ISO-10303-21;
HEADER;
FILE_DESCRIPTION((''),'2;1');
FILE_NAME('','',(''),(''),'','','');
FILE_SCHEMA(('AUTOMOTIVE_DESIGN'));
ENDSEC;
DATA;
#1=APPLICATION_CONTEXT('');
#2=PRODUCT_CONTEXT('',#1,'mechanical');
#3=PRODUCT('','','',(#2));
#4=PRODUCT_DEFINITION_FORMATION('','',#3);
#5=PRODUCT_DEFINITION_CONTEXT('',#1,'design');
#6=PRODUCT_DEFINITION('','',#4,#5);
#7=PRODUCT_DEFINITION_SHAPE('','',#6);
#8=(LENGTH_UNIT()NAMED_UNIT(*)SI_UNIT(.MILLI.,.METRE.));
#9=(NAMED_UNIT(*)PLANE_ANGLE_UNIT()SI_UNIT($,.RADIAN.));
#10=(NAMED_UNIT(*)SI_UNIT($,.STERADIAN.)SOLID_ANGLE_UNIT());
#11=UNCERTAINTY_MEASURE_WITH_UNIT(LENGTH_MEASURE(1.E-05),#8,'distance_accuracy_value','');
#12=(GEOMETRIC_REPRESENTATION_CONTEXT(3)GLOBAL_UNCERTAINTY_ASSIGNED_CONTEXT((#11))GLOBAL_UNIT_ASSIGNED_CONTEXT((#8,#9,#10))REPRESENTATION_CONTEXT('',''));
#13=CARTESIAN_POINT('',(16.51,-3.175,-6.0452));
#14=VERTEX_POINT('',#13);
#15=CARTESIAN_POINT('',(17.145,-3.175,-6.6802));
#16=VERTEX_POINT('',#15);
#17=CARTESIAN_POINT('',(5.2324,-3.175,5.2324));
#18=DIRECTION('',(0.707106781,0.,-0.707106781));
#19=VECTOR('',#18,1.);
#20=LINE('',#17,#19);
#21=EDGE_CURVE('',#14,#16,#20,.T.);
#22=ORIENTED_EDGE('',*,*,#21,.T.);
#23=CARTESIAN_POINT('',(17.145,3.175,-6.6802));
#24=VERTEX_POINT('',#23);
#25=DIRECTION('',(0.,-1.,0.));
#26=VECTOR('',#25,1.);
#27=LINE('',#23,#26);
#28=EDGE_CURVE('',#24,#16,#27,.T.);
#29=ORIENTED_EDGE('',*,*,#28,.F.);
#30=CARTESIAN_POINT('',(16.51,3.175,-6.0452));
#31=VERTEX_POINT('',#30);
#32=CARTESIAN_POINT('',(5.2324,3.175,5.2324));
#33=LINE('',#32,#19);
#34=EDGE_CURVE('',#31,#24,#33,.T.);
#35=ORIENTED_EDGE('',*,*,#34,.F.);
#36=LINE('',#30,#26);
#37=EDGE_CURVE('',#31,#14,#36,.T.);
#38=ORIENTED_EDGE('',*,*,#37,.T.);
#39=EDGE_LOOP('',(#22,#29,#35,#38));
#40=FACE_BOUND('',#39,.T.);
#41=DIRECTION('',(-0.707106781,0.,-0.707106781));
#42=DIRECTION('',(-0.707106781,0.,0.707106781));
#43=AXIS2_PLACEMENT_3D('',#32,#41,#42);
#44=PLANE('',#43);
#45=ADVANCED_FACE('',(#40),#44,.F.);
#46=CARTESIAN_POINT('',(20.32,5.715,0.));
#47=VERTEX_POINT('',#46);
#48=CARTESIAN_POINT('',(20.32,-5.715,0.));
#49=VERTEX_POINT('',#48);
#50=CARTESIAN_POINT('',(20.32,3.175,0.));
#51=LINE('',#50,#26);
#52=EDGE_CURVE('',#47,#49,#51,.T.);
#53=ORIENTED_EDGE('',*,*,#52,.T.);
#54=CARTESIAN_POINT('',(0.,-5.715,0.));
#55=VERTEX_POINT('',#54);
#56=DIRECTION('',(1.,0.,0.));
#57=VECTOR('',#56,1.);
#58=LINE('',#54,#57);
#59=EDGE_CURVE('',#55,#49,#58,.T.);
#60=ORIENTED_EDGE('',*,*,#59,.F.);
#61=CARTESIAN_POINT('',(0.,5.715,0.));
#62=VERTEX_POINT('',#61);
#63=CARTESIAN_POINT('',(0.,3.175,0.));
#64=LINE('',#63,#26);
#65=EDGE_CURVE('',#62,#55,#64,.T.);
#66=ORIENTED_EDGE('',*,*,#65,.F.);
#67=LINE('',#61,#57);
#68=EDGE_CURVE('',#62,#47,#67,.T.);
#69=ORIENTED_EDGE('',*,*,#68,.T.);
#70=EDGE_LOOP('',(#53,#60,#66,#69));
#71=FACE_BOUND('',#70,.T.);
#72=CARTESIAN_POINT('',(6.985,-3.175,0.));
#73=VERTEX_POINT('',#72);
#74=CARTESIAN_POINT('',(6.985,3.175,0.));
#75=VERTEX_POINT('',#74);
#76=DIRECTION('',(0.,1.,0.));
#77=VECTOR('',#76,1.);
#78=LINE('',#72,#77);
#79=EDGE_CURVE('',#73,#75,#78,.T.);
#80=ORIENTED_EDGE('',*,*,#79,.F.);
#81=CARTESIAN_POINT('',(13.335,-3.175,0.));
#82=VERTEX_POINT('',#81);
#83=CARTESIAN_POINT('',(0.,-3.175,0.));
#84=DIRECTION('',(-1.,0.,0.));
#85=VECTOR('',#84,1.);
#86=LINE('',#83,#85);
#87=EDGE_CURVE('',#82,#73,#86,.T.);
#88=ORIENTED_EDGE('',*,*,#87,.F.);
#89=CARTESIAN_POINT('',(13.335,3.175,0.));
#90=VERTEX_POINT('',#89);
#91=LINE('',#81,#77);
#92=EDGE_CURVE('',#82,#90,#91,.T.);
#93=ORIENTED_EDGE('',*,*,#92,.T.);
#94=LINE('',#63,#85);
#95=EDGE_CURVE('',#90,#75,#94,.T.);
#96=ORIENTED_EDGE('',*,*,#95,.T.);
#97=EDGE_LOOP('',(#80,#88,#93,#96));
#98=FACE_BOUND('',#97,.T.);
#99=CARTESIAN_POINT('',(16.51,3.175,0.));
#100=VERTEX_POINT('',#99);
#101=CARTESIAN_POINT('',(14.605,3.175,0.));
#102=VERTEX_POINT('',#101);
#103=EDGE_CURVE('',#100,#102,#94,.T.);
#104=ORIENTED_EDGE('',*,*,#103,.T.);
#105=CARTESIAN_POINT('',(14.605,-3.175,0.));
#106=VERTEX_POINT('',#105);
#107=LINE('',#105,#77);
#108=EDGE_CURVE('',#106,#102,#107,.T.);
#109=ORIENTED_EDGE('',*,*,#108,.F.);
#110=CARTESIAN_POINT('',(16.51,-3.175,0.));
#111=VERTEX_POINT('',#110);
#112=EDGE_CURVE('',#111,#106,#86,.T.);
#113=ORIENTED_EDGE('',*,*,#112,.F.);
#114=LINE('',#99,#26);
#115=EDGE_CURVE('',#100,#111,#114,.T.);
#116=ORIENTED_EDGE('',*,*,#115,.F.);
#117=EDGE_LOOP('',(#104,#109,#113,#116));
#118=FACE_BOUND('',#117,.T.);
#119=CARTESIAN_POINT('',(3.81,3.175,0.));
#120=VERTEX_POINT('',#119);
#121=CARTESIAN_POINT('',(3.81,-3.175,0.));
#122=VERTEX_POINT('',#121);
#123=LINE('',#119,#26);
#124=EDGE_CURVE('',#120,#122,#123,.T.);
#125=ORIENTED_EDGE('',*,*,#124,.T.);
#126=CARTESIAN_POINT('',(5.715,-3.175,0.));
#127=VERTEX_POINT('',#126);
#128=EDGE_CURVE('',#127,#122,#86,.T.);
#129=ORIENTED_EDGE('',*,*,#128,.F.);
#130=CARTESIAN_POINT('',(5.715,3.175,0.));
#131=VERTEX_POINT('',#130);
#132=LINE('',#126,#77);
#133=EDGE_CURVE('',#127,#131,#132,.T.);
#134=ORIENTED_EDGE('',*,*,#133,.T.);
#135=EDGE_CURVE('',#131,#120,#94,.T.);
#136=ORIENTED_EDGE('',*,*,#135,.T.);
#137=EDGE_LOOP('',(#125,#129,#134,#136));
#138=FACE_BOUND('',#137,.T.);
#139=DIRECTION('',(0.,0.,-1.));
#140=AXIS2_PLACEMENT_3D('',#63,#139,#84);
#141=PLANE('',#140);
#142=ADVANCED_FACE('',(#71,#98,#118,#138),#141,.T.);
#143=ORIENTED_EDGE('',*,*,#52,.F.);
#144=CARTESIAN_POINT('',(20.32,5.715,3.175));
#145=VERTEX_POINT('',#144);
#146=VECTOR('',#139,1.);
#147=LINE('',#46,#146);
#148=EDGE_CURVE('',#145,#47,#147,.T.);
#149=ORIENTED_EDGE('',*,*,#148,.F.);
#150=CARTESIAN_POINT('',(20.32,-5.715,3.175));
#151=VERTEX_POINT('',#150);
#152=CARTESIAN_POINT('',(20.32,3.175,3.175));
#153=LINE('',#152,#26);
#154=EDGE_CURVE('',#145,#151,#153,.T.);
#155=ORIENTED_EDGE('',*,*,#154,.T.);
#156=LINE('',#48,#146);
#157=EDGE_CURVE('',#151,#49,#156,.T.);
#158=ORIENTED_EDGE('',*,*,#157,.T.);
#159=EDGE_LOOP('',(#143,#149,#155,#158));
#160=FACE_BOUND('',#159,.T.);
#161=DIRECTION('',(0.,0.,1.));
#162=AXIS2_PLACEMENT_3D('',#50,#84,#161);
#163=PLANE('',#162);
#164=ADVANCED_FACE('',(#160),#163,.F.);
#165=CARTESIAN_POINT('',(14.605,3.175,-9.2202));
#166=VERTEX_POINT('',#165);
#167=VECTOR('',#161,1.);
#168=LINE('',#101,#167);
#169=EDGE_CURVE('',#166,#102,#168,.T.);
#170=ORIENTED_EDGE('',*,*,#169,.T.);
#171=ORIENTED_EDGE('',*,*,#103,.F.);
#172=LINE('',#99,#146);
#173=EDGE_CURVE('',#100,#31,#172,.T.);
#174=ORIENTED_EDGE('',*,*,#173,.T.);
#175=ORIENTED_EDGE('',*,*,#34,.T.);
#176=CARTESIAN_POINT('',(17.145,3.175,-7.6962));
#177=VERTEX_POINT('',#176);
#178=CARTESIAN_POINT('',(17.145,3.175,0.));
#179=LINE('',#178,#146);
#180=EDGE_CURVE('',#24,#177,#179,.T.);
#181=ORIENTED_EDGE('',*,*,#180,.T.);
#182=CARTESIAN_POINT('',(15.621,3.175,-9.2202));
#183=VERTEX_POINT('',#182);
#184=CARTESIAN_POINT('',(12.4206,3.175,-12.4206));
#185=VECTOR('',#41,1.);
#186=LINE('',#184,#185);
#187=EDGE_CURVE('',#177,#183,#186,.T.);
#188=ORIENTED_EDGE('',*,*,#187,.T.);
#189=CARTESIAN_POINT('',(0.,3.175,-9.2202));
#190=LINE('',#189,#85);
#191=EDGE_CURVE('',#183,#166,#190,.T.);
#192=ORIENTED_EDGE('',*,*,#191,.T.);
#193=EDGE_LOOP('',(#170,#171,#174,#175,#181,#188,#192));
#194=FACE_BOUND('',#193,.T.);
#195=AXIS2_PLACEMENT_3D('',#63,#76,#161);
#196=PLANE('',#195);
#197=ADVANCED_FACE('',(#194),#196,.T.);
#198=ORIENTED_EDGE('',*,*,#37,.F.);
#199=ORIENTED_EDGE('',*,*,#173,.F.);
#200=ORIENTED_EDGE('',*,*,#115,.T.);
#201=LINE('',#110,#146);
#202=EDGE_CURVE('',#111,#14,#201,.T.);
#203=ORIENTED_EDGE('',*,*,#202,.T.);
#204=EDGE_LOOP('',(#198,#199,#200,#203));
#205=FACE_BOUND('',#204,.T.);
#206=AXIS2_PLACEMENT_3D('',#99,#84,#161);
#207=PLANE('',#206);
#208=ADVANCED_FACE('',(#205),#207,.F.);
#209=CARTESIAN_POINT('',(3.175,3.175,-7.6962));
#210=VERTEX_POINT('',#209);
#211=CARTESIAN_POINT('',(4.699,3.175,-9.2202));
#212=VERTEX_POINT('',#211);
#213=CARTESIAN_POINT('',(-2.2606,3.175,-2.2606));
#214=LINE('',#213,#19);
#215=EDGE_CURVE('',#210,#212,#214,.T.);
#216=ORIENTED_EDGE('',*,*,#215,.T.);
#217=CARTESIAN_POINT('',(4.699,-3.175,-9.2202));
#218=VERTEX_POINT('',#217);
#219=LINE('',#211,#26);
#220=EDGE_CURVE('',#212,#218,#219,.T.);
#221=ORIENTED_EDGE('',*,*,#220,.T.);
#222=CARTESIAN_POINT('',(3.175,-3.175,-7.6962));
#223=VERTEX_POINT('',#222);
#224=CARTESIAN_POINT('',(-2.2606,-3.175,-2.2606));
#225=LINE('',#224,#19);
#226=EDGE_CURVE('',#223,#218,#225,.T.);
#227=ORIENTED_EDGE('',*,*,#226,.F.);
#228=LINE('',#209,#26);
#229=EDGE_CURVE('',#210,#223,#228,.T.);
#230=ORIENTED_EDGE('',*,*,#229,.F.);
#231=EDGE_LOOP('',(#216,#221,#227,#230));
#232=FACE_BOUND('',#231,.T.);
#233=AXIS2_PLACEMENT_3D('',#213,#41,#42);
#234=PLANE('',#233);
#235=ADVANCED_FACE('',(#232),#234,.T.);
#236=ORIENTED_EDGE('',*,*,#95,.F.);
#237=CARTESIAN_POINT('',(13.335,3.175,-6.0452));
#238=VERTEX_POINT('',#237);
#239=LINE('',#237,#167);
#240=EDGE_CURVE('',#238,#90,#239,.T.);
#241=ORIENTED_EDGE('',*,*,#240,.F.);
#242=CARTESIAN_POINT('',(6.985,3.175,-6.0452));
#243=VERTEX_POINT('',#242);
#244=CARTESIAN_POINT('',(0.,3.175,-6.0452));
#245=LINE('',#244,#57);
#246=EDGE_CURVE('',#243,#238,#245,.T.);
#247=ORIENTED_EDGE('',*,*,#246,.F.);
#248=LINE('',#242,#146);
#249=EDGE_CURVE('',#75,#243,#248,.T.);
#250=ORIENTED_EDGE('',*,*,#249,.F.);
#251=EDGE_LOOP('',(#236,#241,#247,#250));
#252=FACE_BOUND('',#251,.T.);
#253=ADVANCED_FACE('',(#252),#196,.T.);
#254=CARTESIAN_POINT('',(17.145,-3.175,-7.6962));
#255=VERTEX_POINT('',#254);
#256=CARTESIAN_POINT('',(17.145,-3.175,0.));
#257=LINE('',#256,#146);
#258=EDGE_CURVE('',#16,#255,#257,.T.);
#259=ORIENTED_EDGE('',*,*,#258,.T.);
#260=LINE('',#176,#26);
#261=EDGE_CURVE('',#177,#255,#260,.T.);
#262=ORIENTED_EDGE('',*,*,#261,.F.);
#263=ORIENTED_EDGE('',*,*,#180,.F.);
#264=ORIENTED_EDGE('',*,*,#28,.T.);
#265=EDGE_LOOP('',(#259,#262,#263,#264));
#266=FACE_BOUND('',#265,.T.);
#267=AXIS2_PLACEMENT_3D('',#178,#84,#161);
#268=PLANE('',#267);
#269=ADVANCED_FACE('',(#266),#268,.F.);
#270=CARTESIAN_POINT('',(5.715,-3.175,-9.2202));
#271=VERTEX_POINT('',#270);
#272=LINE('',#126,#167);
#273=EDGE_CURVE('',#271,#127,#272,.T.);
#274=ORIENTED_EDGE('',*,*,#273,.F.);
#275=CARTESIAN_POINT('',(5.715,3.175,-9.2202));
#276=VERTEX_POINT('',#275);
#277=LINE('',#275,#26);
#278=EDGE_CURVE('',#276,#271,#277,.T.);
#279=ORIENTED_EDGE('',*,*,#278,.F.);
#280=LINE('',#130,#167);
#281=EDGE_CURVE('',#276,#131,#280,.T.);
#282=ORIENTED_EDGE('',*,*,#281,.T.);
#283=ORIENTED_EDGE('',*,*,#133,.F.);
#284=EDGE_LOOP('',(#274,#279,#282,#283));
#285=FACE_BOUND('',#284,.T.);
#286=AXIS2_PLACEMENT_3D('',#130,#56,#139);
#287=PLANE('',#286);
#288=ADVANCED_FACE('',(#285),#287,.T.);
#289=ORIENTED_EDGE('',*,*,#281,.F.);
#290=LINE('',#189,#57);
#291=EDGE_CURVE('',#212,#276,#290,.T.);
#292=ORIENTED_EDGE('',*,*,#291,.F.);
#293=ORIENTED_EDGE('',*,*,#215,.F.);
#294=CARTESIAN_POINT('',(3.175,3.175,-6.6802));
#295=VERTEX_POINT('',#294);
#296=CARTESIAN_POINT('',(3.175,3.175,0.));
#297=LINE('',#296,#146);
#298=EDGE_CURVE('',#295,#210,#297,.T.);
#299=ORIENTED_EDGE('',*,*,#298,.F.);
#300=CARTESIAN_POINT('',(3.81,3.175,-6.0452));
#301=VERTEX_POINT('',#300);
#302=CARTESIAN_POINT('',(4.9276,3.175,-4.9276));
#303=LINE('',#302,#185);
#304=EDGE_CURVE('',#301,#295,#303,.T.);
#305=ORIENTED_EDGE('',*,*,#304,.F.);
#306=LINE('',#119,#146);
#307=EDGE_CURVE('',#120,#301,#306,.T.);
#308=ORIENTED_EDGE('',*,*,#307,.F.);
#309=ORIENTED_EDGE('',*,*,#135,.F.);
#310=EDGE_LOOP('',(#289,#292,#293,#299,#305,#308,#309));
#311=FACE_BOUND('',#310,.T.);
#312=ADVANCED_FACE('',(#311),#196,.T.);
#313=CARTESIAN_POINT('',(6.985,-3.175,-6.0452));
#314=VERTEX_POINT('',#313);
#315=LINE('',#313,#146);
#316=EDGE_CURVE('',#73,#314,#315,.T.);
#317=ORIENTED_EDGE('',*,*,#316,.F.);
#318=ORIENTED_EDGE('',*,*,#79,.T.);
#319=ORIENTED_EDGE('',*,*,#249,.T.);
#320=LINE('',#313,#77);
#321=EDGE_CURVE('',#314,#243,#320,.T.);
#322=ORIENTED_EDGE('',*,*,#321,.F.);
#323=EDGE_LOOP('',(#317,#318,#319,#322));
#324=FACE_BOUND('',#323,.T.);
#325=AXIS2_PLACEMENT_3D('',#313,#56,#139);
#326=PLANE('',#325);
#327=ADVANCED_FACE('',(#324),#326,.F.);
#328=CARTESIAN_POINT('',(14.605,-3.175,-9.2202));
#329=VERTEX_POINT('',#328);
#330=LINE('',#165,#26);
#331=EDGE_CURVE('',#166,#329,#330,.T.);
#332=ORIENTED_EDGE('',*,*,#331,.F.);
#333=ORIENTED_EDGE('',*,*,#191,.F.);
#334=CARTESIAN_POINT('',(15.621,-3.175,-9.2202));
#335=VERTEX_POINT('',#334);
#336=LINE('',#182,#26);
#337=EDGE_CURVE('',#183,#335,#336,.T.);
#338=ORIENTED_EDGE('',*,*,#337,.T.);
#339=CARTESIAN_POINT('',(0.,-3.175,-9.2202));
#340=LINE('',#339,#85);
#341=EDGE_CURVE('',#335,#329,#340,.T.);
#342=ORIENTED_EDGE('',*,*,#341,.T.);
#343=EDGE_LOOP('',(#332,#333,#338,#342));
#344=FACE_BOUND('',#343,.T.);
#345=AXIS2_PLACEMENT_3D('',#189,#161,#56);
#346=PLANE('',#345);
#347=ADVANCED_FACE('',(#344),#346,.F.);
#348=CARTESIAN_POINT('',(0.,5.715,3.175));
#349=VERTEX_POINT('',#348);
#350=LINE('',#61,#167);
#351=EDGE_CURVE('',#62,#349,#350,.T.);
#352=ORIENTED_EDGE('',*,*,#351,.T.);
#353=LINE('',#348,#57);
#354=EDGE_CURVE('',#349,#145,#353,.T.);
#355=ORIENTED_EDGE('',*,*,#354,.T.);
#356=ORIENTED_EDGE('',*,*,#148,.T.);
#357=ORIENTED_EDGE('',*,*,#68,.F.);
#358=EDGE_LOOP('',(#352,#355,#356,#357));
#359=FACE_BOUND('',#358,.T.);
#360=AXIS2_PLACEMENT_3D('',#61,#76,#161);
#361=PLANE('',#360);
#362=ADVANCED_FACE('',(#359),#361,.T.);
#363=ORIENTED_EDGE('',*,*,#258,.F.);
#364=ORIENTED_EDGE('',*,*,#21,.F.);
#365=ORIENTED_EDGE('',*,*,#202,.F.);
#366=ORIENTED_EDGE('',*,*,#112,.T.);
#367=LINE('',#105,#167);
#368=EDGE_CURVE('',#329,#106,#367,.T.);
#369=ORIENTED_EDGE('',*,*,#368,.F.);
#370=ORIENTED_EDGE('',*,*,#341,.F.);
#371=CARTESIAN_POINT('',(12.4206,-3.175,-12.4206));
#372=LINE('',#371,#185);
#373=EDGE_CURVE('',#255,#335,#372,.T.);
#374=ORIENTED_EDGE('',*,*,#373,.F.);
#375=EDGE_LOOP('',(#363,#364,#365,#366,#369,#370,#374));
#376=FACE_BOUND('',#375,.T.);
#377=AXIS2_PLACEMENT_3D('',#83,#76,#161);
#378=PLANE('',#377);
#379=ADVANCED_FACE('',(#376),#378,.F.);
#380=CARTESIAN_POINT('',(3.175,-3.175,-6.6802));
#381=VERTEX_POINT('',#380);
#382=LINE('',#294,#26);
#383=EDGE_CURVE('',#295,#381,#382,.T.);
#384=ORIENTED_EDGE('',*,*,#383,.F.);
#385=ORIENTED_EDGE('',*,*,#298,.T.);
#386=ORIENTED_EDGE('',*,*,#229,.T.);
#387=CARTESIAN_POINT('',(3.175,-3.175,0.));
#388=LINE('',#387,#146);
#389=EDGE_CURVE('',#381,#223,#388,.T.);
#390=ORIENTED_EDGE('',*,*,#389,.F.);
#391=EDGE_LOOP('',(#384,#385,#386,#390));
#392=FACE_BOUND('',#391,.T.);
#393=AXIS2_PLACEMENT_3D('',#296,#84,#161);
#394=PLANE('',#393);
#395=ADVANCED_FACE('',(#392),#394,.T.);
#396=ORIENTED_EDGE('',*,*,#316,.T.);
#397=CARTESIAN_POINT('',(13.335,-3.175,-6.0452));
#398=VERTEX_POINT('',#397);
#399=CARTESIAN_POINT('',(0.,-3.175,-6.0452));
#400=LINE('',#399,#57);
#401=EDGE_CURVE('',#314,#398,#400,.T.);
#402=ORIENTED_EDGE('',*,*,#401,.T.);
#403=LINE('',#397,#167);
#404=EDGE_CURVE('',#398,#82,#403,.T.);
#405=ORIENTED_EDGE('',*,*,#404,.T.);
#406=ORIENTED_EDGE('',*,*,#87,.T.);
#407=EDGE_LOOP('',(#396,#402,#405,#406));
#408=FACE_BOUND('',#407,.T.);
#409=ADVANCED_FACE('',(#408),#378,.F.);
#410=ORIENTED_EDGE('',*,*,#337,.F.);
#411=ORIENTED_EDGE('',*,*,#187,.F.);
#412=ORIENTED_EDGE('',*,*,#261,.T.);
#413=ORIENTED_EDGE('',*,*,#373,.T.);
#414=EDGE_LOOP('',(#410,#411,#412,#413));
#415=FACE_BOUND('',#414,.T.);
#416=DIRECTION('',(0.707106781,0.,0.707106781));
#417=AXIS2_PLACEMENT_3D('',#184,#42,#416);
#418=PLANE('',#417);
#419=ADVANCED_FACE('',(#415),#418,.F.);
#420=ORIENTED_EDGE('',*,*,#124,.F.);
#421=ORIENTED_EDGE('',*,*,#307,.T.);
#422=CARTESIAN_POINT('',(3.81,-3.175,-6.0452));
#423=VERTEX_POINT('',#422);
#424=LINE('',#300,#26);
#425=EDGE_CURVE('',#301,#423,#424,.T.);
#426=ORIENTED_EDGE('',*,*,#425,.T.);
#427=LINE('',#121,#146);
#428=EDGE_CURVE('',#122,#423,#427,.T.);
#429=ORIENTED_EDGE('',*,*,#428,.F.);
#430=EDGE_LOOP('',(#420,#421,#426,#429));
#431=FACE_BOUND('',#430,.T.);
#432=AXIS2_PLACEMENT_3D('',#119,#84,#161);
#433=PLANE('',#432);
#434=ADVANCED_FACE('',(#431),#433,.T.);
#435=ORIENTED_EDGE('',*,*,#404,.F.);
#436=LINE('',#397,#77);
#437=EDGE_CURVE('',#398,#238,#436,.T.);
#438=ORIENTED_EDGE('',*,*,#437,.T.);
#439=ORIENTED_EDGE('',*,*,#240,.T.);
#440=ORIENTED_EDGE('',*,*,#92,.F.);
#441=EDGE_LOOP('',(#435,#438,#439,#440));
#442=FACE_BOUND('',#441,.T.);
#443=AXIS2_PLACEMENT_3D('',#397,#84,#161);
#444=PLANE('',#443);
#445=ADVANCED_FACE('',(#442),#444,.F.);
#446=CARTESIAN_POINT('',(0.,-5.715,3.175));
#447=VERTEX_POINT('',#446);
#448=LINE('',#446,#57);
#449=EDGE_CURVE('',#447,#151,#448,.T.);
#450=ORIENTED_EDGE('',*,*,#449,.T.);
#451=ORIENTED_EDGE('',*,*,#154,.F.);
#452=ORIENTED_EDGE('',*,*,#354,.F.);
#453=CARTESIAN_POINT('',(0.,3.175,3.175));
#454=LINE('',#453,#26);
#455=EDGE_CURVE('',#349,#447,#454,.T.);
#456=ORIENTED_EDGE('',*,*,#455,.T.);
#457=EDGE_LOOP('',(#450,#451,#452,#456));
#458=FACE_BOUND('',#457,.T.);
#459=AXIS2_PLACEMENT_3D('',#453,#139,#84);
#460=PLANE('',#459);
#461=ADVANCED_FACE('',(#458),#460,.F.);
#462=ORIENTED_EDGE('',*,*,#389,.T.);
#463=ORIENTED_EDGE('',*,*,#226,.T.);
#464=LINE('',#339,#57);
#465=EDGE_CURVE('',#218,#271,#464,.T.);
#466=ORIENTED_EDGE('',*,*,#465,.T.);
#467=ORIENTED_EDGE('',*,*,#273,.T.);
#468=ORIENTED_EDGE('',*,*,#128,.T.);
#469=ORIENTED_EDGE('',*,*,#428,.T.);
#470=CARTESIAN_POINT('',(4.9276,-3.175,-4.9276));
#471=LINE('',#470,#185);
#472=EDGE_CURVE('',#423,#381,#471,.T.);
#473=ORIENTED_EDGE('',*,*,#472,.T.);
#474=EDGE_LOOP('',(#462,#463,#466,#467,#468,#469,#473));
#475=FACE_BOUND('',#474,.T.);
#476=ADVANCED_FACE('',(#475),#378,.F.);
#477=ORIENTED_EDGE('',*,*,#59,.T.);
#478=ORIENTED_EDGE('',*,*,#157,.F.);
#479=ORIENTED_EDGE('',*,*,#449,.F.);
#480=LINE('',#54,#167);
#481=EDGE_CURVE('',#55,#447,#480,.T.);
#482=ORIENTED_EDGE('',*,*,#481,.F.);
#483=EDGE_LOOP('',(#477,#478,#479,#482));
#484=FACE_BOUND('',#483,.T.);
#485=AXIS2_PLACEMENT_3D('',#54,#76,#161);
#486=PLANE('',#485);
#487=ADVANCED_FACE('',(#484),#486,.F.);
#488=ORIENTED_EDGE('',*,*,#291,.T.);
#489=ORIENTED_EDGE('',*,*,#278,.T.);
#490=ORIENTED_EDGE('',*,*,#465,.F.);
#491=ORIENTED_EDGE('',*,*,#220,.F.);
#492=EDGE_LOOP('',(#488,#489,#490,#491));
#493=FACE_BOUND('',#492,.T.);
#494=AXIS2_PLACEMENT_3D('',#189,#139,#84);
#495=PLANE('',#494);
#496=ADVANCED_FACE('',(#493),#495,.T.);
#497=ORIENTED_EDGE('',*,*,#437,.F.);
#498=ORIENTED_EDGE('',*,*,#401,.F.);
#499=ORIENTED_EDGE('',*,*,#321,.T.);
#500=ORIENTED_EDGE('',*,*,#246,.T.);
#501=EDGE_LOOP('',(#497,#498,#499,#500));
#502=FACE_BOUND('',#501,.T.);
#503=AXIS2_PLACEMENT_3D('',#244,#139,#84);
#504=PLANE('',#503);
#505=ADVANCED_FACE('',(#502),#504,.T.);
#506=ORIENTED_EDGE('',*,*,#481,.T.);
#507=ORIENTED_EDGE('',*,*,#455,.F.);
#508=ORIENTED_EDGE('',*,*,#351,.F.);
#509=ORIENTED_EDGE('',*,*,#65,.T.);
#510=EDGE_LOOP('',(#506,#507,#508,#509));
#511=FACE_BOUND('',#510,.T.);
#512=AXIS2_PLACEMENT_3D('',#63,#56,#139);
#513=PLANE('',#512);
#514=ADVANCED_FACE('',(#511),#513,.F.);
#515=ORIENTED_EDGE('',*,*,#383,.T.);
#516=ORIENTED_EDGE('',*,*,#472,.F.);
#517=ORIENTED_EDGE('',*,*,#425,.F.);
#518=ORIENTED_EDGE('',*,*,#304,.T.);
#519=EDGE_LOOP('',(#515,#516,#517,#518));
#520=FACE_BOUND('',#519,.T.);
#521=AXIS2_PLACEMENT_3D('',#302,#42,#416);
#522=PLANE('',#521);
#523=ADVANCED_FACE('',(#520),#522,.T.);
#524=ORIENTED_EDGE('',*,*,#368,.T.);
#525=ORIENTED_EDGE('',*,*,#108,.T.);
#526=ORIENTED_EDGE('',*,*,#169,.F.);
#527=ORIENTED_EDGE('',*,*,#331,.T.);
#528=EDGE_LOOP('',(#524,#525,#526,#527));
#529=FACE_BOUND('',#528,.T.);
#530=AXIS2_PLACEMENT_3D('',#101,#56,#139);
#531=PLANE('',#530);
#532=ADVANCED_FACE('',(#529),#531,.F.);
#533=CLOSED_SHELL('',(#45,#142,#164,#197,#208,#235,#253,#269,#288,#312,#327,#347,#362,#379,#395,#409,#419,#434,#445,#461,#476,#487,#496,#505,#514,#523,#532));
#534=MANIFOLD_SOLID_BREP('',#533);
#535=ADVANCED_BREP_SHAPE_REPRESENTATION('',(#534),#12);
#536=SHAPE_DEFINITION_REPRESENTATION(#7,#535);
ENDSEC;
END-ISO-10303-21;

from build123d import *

# Parameters (mm, degrees)
BOSS_EXTRUDE1_DEPTH = 3.175
SKETCH2_W           = 1.27
SKETCH2_H           = 6.0452
CUT_EXTRUDE1_DEPTH  = 6.35
BOSS_EXTRUDE2_DEPTH = 5.715


with BuildPart() as part:
    # Sketch1 → Boss-Extrude1 (new, symmetric)
    with BuildSketch(Plane(origin=(0, 0, 0), x_dir=(1, 0, 0), z_dir=(0, 1, 0))):
        Polygon((3.81, 0), (0, 0), (0, -3.175), (20.32, -3.175), (20.32, 0), (16.51, 0), (16.51, 6.0452), (17.145, 6.6802), (17.145, 7.6962), (15.621, 9.2202), (14.605, 9.2202), (14.605, 6.0452), (5.715, 6.0452), (5.715, 9.2202), (4.699, 9.2202), (3.175, 7.6962), (3.175, 6.6802), (3.81, 6.0452), align=None)
    extrude(amount=BOSS_EXTRUDE1_DEPTH, both=True)

    # Sketch2 → Cut-Extrude1 (cut)
    with BuildSketch(Plane(origin=(0, 3.175, 0), x_dir=(1, 0, 0), z_dir=(0, 1, 0))):
        with Locations((6.35, 3.0226)):
            Rectangle(SKETCH2_W, SKETCH2_H)
        with Locations((13.97, 3.0226)):
            Rectangle(SKETCH2_W, SKETCH2_H)
    extrude(amount=-CUT_EXTRUDE1_DEPTH, mode=Mode.SUBTRACT)

    # Sketch1<3> → Boss-Extrude2 (add, symmetric)
    with BuildSketch(Plane(origin=(0, 0, 0), x_dir=(1, 0, 0), z_dir=(0, 1, 0))):
        Polygon((3.81, 0), (0, 0), (0, -3.175), (20.32, -3.175), (20.32, 0), (16.51, 0), align=None)
    extrude(amount=BOSS_EXTRUDE2_DEPTH, both=True)


solid = part.part
